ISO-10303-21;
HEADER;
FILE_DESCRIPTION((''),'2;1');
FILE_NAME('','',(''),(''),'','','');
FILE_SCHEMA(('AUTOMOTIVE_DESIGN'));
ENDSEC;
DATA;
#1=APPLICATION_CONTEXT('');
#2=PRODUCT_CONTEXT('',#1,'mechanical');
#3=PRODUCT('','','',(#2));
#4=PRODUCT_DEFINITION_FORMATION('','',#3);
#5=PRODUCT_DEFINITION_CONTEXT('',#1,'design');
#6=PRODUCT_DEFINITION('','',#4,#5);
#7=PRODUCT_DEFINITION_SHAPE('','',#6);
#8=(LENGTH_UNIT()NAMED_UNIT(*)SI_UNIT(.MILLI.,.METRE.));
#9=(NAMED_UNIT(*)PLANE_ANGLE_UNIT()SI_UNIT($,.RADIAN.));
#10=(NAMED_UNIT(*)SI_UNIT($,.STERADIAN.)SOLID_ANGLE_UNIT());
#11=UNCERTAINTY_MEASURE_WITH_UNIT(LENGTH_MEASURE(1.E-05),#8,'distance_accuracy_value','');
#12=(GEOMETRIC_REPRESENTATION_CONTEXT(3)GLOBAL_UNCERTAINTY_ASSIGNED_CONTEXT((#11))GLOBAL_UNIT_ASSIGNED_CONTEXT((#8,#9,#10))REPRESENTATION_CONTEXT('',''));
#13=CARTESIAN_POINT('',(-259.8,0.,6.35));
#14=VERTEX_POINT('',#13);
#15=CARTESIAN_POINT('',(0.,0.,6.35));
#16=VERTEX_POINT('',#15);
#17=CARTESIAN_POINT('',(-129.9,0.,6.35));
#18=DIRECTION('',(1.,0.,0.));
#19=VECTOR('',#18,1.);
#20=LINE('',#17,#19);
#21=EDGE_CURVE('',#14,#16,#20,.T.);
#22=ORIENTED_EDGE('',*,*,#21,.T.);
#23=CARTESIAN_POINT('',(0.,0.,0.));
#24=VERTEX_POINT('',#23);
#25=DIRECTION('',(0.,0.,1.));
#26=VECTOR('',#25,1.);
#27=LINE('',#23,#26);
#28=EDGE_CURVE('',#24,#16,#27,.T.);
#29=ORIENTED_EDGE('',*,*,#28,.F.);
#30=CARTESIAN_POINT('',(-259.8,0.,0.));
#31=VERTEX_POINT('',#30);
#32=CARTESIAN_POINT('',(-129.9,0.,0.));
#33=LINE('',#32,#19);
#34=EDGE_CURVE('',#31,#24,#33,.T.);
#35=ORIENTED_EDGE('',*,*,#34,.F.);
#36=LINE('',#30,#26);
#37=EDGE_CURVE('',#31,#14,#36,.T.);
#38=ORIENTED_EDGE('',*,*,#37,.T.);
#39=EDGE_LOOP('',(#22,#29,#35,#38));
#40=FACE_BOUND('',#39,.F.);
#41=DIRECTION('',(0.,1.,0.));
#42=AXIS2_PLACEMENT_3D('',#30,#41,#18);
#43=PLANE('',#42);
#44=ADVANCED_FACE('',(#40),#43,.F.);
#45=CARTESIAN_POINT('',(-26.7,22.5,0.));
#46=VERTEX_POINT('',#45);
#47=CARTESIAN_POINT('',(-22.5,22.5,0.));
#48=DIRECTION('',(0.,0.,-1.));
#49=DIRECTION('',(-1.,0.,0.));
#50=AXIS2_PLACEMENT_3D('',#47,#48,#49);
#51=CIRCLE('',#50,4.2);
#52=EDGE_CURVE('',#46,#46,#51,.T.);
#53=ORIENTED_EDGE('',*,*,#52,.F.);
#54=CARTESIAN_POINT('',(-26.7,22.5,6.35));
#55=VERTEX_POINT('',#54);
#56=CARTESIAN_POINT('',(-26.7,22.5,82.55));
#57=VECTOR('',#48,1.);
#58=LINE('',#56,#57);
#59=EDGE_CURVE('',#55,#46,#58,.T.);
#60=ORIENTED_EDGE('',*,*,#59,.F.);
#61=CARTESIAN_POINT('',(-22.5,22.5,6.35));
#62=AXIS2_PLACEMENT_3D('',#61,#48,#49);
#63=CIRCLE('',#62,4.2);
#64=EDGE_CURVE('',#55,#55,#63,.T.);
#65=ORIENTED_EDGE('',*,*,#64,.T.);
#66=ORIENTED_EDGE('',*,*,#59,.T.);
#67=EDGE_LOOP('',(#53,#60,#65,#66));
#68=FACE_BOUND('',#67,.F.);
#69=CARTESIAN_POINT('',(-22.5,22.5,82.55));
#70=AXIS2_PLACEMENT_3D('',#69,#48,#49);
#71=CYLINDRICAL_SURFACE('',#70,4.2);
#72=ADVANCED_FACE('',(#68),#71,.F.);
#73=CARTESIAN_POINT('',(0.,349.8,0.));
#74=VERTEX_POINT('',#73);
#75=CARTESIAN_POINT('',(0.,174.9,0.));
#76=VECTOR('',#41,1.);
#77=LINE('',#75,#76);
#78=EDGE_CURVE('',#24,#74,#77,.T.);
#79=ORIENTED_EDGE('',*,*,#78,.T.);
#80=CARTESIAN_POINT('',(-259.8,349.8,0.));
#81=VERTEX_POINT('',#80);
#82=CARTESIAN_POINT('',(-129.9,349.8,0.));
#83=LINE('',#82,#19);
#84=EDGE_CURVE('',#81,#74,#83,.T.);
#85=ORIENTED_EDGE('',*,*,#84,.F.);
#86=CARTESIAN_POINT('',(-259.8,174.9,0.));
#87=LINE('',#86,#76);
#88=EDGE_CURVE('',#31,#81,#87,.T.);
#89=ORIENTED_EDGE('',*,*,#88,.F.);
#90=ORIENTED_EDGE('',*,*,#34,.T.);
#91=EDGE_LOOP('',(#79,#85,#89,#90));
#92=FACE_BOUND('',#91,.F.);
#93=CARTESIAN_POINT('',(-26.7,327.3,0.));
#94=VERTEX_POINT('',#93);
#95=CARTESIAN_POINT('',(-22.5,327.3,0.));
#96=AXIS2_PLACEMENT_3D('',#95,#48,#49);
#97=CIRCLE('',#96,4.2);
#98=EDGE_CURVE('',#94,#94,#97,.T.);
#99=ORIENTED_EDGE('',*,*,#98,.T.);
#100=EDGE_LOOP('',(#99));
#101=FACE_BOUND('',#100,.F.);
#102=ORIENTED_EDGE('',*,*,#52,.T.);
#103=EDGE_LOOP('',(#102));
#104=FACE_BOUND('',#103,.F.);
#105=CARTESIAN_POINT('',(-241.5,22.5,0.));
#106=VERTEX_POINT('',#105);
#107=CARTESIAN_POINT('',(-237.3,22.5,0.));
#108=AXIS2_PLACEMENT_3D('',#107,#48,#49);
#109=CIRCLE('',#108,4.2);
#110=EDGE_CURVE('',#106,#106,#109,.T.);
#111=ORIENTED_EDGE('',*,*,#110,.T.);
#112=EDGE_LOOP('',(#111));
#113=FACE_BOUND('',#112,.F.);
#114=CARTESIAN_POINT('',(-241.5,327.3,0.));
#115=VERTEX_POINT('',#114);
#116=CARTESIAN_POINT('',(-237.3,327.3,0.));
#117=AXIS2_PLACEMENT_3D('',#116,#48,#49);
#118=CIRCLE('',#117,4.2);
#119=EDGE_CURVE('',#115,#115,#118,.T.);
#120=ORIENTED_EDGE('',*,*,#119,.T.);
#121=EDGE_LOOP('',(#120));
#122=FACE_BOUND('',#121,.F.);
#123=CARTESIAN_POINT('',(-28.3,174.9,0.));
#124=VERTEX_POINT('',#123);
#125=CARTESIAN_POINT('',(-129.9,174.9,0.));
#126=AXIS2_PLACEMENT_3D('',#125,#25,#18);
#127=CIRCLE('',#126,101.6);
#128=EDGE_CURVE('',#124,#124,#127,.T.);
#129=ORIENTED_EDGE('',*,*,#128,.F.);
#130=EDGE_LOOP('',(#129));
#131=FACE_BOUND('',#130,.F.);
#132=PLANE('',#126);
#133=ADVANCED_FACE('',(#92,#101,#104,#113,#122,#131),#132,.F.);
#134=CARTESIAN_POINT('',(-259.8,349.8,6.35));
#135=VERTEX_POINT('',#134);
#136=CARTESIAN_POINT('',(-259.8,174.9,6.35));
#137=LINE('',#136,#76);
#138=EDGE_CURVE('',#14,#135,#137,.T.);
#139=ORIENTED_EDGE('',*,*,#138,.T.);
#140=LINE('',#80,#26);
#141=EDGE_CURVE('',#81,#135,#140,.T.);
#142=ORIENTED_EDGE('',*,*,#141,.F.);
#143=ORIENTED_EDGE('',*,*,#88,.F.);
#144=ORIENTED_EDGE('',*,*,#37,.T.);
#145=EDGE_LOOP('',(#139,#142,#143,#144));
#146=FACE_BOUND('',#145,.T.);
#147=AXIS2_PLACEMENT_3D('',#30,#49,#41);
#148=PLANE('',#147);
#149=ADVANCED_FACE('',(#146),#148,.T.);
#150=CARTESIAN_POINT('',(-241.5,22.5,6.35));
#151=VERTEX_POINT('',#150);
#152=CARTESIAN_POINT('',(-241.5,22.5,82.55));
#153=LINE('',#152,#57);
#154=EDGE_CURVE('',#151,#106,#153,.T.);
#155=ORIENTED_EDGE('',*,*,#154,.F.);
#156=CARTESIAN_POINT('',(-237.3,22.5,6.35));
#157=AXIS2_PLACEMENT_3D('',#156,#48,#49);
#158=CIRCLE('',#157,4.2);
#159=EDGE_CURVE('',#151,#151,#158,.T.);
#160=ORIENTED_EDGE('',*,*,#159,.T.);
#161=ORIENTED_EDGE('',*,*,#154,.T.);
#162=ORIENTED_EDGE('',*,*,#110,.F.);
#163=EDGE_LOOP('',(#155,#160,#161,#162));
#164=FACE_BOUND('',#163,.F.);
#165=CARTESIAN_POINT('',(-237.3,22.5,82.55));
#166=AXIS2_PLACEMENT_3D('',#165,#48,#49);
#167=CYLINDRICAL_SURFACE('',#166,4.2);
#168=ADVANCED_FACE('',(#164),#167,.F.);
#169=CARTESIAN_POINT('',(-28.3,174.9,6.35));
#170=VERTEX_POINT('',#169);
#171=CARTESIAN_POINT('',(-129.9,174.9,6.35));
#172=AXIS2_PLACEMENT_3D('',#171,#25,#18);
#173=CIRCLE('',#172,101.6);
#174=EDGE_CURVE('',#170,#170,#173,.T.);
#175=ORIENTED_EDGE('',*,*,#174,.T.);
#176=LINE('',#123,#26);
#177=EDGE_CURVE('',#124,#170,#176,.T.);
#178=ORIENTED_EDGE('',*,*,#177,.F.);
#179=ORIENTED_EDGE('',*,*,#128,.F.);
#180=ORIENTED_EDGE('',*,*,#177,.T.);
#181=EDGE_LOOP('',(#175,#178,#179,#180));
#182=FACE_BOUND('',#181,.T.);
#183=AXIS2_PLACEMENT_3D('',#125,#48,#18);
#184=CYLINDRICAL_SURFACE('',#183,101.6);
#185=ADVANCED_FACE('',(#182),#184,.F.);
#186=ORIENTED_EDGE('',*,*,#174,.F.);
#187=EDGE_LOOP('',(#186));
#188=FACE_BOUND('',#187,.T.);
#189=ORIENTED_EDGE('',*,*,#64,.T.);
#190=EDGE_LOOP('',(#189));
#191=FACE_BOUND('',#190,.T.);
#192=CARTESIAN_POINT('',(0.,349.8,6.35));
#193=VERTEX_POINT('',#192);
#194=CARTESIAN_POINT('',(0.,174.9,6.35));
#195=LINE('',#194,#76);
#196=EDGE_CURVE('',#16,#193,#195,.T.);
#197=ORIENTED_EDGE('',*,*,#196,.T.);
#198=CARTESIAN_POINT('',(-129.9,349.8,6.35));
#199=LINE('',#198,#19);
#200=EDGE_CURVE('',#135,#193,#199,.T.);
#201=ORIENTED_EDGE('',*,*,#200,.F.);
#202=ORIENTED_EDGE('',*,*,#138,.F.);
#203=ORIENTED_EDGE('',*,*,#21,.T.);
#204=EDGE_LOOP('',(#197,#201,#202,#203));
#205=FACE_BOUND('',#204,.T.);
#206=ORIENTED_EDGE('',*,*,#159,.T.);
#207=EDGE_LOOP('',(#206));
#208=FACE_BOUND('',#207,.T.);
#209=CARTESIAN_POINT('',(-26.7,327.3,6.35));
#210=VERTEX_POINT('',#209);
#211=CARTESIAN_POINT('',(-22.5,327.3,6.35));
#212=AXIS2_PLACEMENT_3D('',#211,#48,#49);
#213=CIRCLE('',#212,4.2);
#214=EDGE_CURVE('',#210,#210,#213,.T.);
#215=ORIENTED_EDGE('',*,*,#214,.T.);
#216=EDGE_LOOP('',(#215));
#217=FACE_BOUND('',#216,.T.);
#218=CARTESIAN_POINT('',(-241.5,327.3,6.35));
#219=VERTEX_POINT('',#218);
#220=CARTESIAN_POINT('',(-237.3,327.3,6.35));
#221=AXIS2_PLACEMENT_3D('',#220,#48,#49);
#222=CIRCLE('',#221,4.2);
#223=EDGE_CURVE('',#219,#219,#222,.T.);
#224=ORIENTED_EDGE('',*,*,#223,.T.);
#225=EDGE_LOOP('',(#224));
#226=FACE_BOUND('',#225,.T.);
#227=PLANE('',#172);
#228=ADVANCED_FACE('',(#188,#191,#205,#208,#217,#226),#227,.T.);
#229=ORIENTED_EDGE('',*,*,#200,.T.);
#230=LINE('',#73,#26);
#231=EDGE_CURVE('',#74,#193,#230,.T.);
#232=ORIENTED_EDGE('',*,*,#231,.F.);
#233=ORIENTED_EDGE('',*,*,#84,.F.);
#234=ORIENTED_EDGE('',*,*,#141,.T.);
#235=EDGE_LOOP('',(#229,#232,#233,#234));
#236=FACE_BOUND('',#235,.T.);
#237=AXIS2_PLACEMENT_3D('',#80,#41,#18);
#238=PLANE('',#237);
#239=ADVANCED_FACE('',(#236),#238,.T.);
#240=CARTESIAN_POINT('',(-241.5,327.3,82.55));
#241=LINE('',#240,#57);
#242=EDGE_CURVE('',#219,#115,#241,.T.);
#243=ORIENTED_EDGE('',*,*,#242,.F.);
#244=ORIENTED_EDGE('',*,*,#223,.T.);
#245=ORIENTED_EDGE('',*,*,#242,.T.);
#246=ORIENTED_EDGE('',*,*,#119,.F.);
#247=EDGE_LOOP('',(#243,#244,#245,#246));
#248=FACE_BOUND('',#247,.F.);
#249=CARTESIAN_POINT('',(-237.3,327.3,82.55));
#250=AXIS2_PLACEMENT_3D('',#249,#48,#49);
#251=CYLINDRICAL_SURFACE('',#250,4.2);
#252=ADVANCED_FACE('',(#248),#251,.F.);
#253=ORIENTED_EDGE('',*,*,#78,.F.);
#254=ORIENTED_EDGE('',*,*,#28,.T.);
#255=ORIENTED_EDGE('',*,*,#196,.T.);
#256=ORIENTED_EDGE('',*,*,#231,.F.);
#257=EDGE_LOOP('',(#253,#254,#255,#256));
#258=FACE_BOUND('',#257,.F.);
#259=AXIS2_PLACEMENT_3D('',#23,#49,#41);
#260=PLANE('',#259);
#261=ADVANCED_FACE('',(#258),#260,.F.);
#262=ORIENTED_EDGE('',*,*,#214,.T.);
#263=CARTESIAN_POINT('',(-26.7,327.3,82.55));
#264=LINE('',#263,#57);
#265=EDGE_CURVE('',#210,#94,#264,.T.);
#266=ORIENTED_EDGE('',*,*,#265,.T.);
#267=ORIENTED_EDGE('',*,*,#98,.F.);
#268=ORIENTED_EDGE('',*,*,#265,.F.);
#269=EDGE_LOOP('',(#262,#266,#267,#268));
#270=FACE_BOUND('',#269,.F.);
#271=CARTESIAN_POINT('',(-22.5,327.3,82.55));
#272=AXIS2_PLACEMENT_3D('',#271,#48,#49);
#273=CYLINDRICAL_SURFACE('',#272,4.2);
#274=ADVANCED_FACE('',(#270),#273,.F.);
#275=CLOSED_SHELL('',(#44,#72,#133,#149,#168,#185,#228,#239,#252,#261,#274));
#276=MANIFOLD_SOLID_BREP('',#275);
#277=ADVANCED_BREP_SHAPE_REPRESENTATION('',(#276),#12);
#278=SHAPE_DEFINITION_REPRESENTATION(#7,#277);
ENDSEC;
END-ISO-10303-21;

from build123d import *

# Parameters (mm, degrees)
SKETCH1_W                = 259.8
SKETCH1_H                = 349.8
SKETCH1_R                = 101.6
BOSS_EXTRUDE1_DEPTH      = 6.35
M8_CLEARANCE_HOLE1_D     = 8.4
M8_CLEARANCE_HOLE1_DEPTH = 76.2
M8_CLEARANCE_HOLE1_TIP   = 2.5236146


with BuildPart() as part:
    # Sketch1 → Boss-Extrude1 (new body)
    with BuildSketch(Plane.XY):
        with Locations((-129.9, 174.9)):
            Rectangle(SKETCH1_W, SKETCH1_H)
        with Locations((-129.9, 174.9)):
            Circle(SKETCH1_R, mode=Mode.SUBTRACT)
    extrude(amount=BOSS_EXTRUDE1_DEPTH)

    # M8 Clearance Hole1
    with Locations(Plane.XY.offset(6.35)):
        with Locations((-237.3, 327.3), (-22.5, 327.3), (-22.5, 22.5), (-237.3, 22.5)):
            Hole(M8_CLEARANCE_HOLE1_D / 2, depth=M8_CLEARANCE_HOLE1_DEPTH)
            with Locations((0, 0, -(M8_CLEARANCE_HOLE1_DEPTH + M8_CLEARANCE_HOLE1_TIP / 2))):  # 118° drill point
                Cone(0, M8_CLEARANCE_HOLE1_D / 2, M8_CLEARANCE_HOLE1_TIP, mode=Mode.SUBTRACT)


solid = part.part
